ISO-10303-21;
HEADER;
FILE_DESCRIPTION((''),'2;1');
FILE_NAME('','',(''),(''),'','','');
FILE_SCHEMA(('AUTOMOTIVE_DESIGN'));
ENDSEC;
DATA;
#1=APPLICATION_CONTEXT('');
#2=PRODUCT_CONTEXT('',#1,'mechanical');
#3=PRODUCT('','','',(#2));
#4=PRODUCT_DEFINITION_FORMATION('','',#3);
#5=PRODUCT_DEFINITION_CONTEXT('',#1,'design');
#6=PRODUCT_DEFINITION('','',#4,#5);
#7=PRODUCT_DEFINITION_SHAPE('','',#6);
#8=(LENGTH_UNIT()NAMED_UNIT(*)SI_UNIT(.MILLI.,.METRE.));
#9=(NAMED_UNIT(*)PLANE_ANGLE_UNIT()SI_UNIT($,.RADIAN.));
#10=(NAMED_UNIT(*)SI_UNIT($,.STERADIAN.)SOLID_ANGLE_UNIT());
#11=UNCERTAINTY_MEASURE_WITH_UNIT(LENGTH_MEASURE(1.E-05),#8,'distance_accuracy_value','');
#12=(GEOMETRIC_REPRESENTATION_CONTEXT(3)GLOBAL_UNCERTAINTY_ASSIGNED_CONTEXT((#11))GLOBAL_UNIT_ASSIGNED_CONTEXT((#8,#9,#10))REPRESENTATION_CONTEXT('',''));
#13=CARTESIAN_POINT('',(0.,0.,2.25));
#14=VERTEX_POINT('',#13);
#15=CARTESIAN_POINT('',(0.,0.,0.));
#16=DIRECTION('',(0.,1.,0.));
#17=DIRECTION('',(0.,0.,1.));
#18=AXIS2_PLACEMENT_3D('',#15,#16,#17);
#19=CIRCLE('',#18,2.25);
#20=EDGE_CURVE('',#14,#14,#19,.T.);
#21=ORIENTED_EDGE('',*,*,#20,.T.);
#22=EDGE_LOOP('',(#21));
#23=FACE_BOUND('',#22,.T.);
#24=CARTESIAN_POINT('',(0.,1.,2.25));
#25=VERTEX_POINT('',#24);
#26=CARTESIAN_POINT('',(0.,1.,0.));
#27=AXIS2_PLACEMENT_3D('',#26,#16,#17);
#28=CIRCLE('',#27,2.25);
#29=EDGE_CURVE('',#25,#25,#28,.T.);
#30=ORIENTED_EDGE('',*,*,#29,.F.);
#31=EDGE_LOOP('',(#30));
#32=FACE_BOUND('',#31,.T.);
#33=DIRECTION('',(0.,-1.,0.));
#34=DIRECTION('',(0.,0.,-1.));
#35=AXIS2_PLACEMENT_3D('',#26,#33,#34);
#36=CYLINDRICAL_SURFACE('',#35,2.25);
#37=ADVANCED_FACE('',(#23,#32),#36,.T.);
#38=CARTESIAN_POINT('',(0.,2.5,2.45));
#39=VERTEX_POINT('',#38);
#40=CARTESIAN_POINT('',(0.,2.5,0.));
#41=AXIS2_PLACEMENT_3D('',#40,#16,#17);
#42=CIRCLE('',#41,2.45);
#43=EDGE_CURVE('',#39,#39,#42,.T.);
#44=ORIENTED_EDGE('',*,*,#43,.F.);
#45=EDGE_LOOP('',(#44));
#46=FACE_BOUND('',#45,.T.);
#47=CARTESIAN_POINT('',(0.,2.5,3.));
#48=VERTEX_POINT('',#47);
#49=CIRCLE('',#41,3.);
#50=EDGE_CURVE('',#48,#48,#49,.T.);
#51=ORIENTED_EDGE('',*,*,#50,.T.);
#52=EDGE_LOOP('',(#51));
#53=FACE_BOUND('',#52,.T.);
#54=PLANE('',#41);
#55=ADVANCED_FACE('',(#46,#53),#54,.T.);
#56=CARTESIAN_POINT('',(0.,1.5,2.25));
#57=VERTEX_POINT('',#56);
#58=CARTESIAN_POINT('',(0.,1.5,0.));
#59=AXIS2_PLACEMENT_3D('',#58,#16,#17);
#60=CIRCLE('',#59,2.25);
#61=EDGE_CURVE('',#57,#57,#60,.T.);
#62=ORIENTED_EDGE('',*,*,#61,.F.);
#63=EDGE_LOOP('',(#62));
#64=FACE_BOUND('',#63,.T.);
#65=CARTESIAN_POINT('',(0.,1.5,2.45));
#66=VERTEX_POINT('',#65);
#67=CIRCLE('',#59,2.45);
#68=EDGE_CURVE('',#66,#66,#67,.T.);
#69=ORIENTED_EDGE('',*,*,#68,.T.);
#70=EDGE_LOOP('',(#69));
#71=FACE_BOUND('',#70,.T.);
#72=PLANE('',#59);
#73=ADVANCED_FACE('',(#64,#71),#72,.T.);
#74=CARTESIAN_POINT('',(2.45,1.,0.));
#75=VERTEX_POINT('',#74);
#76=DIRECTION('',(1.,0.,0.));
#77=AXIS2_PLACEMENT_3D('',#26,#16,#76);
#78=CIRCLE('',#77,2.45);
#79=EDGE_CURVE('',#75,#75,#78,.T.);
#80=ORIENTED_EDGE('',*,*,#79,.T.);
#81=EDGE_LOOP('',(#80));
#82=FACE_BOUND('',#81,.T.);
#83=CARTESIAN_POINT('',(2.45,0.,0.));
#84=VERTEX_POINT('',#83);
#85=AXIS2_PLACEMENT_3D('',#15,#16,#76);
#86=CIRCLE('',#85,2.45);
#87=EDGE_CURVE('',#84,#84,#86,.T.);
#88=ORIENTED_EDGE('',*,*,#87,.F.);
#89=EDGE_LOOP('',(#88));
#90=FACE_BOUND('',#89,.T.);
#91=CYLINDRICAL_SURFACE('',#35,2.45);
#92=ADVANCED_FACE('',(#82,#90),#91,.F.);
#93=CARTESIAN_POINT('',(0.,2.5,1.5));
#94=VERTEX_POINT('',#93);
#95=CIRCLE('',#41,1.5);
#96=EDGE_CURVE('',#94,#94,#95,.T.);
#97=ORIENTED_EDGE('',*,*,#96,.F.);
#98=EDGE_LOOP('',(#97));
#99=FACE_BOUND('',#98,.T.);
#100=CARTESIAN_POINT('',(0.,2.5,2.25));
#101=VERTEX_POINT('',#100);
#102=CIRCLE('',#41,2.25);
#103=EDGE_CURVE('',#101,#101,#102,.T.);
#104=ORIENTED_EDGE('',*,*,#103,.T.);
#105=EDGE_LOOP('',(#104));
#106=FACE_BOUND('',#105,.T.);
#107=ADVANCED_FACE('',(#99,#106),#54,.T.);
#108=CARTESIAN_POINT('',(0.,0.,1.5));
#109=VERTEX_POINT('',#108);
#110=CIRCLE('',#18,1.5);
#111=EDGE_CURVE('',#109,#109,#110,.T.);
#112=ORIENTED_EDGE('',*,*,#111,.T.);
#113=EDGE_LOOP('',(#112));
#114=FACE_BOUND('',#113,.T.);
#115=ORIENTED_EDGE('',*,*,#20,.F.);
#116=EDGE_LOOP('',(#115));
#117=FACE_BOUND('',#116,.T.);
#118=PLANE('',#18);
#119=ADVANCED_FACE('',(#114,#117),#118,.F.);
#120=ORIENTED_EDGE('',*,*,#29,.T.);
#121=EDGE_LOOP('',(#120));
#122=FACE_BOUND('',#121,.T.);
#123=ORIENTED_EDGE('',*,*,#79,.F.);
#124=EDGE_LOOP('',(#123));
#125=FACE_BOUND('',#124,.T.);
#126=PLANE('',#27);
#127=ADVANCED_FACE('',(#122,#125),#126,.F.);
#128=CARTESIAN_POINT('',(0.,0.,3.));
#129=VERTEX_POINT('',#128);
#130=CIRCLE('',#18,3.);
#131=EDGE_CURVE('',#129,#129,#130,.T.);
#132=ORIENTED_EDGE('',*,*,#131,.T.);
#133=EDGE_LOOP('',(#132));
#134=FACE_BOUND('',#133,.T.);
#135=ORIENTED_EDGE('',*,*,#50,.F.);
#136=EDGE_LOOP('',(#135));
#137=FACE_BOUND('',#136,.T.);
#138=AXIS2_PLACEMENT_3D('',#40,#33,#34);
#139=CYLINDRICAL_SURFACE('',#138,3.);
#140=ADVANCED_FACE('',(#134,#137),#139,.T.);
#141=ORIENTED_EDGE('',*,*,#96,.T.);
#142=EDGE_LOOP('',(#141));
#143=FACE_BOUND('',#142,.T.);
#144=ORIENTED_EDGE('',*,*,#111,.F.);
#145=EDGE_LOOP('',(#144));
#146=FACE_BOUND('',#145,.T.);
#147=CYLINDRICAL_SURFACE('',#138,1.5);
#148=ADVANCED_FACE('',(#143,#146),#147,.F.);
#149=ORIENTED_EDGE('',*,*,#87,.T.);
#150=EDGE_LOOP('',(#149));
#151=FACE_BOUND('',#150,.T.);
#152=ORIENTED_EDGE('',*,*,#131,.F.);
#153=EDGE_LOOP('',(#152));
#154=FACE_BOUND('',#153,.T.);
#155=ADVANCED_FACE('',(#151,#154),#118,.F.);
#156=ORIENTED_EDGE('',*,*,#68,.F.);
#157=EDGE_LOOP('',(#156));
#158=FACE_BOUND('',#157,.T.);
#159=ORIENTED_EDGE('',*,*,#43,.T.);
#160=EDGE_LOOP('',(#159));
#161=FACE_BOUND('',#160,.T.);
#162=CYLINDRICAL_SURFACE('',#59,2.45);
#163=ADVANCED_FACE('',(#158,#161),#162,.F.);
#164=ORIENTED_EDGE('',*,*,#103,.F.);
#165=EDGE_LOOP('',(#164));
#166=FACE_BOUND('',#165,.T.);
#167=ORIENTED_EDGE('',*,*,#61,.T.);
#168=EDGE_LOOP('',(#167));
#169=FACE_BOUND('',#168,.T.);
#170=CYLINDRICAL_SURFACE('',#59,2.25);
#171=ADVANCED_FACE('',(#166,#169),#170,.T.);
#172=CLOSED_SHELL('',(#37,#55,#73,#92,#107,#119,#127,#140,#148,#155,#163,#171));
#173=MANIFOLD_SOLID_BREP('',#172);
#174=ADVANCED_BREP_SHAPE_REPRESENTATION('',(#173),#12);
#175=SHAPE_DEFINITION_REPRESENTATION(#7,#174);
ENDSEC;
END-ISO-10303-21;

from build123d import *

# Parameters (mm, degrees)
SKETCH_1_R          = 3
SKETCH_1_R_2        = 1.5
EXTRUDE_1_DEPTH     = 2.5
SKETCH_1_3_R        = 2.45
SKETCH_1_3_R_2      = 2.25
CUT_EXTRUDE_1_DEPTH = 1
CUT_EXTRUDE_START   = 1.5
SKETCH_1_4_R        = 2.45
SKETCH_1_4_R_2      = 2.25
CUT_EXTRUDE_2_DEPTH = 1


with BuildPart() as part:
    # 草图1 → 凸台-拉伸1 (new body)
    with BuildSketch(Plane(origin=(0, 0, 0), x_dir=(1, 0, 0), z_dir=(0, 1, 0))):
        with Locations(Location((0, 0, 0), (0, 0, 270))):
            Circle(SKETCH_1_R)
        with Locations(Location((0, 0, 0), (0, 0, 270))):
            Circle(SKETCH_1_R_2, mode=Mode.SUBTRACT)
    extrude(amount=EXTRUDE_1_DEPTH)

    # 草图1<3> → 切除-拉伸-薄壁1 (cut)
    with BuildSketch(Plane(origin=(0, 0, 0), x_dir=(1, 0, 0), z_dir=(0, 1, 0))):
        Circle(SKETCH_1_3_R)
        Circle(SKETCH_1_3_R_2, mode=Mode.SUBTRACT)
    extrude(amount=CUT_EXTRUDE_1_DEPTH, mode=Mode.SUBTRACT)

    # 草图1<4> → 切除-拉伸-薄壁2 (cut)
    with BuildSketch(Plane(origin=(0, 0, 0), x_dir=(1, 0, 0), z_dir=(0, 1, 0)).offset(CUT_EXTRUDE_START)):
        Circle(SKETCH_1_4_R)
        Circle(SKETCH_1_4_R_2, mode=Mode.SUBTRACT)
    extrude(amount=CUT_EXTRUDE_2_DEPTH, mode=Mode.SUBTRACT)


solid = part.part
